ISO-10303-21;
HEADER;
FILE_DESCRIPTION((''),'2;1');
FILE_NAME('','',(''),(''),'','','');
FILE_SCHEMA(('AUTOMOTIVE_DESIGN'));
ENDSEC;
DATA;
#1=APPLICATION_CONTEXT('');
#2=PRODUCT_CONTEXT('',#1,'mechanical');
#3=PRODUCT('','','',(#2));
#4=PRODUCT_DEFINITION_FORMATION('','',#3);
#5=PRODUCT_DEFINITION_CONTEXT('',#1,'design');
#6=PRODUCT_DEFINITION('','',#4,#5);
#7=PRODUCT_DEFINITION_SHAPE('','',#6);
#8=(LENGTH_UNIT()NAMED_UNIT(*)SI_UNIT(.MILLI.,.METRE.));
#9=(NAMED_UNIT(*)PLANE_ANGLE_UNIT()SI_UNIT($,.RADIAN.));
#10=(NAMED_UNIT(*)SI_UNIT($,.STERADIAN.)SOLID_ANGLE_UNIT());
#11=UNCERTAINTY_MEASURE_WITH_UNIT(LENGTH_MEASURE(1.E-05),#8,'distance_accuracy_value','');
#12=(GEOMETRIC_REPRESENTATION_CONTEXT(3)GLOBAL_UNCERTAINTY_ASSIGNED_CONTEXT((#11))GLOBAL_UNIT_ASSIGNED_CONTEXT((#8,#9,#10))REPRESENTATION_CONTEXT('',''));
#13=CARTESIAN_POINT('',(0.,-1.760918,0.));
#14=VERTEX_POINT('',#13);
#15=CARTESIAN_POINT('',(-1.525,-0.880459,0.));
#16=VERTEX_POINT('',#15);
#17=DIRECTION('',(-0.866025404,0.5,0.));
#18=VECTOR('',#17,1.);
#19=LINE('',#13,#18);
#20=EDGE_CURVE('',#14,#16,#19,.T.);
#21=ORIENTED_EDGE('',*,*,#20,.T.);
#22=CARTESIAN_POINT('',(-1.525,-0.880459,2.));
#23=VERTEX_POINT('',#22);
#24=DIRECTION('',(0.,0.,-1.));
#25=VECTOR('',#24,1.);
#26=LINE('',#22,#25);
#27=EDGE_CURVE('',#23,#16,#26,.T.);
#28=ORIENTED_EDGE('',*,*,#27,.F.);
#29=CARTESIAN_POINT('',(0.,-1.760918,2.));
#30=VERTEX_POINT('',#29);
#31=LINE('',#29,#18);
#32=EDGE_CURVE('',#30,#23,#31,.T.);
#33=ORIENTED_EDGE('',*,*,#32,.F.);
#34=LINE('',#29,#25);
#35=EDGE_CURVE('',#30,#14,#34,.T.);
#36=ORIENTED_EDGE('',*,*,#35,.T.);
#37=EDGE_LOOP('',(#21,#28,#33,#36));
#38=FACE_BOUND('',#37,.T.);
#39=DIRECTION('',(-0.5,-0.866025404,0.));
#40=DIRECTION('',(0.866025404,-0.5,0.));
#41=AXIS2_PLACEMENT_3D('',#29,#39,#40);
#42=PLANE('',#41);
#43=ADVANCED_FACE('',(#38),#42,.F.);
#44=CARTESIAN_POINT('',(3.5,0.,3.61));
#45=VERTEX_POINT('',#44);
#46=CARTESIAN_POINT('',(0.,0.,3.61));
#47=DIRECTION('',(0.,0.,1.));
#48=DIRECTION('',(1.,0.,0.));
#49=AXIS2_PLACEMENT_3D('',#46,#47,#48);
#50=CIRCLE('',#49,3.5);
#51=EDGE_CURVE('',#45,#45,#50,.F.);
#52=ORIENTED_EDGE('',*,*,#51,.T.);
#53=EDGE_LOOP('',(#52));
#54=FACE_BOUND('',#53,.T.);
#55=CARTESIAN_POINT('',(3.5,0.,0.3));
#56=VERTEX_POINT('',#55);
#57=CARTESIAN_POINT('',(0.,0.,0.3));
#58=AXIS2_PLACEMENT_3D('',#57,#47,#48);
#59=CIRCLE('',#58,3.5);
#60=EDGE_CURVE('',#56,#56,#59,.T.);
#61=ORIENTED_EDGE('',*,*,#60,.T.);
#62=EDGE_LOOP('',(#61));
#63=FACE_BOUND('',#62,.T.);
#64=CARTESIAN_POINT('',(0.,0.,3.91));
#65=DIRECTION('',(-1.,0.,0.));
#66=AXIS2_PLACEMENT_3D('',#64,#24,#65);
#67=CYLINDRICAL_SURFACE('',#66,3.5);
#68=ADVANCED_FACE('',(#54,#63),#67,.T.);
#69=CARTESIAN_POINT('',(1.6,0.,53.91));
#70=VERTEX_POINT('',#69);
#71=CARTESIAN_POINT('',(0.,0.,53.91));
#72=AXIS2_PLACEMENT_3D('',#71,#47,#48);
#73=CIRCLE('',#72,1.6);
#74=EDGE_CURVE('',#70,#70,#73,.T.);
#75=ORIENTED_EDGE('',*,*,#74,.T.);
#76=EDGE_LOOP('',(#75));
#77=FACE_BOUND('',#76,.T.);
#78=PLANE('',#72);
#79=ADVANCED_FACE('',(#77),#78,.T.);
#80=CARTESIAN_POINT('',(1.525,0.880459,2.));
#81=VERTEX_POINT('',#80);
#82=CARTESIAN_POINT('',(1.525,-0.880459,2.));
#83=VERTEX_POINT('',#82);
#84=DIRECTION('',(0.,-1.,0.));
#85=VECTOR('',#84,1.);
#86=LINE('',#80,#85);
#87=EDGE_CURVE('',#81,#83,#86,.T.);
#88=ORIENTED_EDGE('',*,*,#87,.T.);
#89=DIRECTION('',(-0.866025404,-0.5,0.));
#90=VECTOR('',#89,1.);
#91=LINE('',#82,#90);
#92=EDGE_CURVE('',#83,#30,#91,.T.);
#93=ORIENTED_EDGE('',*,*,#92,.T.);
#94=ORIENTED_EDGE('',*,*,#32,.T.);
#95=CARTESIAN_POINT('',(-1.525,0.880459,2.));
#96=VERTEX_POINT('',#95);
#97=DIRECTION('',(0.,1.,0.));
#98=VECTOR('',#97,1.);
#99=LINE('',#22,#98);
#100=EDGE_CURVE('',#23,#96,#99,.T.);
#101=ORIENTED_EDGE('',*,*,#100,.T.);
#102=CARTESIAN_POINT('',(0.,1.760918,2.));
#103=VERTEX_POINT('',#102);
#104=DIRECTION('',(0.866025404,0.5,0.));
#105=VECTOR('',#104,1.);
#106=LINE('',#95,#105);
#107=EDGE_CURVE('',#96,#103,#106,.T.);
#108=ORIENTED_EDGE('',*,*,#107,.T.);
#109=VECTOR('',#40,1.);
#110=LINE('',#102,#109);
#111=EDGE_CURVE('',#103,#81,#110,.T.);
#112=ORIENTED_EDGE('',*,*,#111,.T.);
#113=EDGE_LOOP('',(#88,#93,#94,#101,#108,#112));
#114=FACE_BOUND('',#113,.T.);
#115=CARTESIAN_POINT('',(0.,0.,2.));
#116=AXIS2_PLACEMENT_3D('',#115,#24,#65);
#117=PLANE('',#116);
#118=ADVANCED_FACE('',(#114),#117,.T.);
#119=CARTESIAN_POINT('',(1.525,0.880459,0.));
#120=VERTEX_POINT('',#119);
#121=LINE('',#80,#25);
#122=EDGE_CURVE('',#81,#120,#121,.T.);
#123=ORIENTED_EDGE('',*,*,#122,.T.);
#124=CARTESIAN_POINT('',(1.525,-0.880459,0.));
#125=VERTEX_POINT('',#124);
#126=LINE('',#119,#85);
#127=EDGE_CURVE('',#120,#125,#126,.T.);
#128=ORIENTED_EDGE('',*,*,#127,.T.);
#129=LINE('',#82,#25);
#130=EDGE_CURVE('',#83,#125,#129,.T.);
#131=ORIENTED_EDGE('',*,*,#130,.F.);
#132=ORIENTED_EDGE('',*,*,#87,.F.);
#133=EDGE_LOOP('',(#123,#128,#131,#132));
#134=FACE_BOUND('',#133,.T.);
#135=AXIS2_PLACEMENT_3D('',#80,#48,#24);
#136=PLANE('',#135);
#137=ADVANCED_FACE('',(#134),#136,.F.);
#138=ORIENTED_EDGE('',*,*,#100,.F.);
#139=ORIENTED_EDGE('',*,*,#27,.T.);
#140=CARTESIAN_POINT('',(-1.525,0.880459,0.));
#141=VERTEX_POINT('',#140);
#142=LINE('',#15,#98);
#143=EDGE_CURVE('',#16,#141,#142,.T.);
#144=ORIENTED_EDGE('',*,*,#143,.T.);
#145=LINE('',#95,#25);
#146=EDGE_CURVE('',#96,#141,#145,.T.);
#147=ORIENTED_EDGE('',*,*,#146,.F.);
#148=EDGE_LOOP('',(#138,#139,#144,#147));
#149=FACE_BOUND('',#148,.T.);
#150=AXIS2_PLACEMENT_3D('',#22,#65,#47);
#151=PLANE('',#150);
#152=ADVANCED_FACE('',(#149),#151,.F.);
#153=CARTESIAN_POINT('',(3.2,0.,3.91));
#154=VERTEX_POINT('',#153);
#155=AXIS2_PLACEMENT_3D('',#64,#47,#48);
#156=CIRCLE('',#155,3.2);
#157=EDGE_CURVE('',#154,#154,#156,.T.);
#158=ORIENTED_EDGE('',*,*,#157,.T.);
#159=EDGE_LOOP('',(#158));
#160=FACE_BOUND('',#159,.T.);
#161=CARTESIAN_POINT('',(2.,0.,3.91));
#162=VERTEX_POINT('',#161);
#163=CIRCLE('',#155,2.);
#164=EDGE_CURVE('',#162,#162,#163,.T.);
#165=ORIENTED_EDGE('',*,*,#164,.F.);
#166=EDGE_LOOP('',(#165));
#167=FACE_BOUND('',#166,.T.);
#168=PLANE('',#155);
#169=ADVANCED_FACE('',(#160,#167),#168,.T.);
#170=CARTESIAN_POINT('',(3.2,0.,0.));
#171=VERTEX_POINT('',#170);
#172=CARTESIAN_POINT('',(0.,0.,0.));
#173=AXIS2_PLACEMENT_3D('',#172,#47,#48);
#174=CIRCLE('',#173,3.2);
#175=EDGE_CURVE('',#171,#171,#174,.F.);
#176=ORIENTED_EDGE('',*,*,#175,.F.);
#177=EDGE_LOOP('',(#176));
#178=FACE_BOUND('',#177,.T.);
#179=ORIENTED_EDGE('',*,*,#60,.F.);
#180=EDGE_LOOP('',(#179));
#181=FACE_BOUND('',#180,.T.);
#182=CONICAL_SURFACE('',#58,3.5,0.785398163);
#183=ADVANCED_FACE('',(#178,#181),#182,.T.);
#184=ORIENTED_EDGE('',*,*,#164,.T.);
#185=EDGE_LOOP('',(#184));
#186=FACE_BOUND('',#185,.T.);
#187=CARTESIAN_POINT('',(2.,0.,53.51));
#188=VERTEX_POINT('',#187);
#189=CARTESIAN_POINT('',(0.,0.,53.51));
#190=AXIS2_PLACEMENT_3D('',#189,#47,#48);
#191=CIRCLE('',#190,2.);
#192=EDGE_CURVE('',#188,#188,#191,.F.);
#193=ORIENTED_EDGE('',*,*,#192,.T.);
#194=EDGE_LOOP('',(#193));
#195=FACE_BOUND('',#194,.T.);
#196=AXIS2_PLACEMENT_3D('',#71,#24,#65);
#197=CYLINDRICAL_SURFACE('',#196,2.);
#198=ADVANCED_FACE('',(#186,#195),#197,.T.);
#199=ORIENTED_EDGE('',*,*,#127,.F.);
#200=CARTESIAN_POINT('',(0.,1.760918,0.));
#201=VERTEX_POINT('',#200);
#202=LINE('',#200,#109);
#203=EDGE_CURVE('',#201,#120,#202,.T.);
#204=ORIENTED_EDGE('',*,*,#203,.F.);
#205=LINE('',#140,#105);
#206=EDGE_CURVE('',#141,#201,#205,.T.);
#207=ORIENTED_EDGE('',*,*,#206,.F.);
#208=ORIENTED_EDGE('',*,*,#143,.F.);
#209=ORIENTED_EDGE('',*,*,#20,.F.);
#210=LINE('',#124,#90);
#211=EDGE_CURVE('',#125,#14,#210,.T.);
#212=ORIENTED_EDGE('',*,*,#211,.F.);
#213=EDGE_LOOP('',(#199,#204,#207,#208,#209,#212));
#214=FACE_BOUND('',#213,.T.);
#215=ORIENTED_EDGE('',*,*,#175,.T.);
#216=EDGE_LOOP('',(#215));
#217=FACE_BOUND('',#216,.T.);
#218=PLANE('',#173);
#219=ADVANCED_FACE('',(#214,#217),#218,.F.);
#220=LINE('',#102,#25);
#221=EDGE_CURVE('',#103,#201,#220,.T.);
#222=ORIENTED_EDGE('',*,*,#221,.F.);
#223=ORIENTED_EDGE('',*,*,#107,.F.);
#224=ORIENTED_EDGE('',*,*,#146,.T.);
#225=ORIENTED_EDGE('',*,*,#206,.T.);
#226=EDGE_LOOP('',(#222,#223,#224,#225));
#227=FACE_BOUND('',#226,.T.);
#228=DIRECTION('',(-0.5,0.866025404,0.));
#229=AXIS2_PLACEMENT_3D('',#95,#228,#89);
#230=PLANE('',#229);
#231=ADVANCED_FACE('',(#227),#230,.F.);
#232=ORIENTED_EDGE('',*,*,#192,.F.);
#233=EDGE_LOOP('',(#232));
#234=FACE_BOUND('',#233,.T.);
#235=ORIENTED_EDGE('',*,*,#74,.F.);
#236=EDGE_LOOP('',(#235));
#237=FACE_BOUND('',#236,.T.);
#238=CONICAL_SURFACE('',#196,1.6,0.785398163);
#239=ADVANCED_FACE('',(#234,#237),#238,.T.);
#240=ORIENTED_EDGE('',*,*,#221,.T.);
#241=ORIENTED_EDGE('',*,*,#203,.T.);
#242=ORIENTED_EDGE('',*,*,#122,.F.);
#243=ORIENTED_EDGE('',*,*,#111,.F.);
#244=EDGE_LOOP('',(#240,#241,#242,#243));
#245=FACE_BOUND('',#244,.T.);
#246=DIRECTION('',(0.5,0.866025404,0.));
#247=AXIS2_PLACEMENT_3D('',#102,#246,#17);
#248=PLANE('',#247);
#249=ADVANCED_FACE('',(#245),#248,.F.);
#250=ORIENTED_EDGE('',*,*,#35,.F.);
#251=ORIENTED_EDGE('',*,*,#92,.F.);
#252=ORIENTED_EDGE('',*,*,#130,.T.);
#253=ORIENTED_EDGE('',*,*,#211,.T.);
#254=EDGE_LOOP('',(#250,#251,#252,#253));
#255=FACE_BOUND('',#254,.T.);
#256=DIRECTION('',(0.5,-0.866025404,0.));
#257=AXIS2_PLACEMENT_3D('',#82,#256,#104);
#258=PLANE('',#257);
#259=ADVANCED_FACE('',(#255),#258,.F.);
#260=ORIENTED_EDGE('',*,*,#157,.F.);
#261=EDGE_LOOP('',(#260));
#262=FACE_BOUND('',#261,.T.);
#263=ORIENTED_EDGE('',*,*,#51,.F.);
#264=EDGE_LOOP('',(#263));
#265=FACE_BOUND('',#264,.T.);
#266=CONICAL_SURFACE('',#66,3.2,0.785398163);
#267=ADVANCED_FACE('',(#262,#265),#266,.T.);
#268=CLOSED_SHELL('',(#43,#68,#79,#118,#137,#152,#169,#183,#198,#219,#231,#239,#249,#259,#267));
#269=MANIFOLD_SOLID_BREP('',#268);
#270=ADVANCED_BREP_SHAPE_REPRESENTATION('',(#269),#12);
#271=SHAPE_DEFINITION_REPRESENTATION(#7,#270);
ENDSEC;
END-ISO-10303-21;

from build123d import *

# Parameters (mm, degrees)
SKETCH_1_R          = 3.5
EXTRUDE_1_DEPTH     = 3.91
SKETCH_2_R          = 2
EXTRUDE_2_DEPTH     = 50
CUT_EXTRUDE_1_DEPTH = 2
CHAMFER_1_SIZE      = 0.4
CHAMFER_2_SIZE      = 0.3


with BuildPart() as part:
    # 草图1 → 凸台-拉伸1 (new body)
    with BuildSketch(Plane.XY):
        Circle(SKETCH_1_R)
    extrude(amount=EXTRUDE_1_DEPTH)

    # 草图2 → 凸台-拉伸2 (add)
    with BuildSketch(Plane.XY.offset(3.91)):
        Circle(SKETCH_2_R)
    extrude(amount=EXTRUDE_2_DEPTH)

    # 草图3 → 切除-拉伸1 (cut)
    with BuildSketch(Plane(origin=(0, 0, 0), x_dir=(-1, 0, 0), z_dir=(0, 0, -1))):
        Polygon((0, 1.760918321), (-1.525, 0.880459161), (-1.525, -0.880459161), (0, -1.760918321), (1.525, -0.880459161), (1.525, 0.880459161), align=None)
    extrude(amount=-CUT_EXTRUDE_1_DEPTH, mode=Mode.SUBTRACT)

    # 倒角1
    chamfer_1_edges = [part.edges().sort_by_distance(p)[0] for p in [
        (-2, 0, 53.91),
    ]]
    chamfer(chamfer_1_edges, length=CHAMFER_1_SIZE)

    # 倒角2
    chamfer_2_edges = [part.edges().sort_by_distance(p)[0] for p in [
        (-3.5, 0, 0),
        (-3.5, 0, 3.91),
    ]]
    chamfer(chamfer_2_edges, length=CHAMFER_2_SIZE)


solid = part.part
